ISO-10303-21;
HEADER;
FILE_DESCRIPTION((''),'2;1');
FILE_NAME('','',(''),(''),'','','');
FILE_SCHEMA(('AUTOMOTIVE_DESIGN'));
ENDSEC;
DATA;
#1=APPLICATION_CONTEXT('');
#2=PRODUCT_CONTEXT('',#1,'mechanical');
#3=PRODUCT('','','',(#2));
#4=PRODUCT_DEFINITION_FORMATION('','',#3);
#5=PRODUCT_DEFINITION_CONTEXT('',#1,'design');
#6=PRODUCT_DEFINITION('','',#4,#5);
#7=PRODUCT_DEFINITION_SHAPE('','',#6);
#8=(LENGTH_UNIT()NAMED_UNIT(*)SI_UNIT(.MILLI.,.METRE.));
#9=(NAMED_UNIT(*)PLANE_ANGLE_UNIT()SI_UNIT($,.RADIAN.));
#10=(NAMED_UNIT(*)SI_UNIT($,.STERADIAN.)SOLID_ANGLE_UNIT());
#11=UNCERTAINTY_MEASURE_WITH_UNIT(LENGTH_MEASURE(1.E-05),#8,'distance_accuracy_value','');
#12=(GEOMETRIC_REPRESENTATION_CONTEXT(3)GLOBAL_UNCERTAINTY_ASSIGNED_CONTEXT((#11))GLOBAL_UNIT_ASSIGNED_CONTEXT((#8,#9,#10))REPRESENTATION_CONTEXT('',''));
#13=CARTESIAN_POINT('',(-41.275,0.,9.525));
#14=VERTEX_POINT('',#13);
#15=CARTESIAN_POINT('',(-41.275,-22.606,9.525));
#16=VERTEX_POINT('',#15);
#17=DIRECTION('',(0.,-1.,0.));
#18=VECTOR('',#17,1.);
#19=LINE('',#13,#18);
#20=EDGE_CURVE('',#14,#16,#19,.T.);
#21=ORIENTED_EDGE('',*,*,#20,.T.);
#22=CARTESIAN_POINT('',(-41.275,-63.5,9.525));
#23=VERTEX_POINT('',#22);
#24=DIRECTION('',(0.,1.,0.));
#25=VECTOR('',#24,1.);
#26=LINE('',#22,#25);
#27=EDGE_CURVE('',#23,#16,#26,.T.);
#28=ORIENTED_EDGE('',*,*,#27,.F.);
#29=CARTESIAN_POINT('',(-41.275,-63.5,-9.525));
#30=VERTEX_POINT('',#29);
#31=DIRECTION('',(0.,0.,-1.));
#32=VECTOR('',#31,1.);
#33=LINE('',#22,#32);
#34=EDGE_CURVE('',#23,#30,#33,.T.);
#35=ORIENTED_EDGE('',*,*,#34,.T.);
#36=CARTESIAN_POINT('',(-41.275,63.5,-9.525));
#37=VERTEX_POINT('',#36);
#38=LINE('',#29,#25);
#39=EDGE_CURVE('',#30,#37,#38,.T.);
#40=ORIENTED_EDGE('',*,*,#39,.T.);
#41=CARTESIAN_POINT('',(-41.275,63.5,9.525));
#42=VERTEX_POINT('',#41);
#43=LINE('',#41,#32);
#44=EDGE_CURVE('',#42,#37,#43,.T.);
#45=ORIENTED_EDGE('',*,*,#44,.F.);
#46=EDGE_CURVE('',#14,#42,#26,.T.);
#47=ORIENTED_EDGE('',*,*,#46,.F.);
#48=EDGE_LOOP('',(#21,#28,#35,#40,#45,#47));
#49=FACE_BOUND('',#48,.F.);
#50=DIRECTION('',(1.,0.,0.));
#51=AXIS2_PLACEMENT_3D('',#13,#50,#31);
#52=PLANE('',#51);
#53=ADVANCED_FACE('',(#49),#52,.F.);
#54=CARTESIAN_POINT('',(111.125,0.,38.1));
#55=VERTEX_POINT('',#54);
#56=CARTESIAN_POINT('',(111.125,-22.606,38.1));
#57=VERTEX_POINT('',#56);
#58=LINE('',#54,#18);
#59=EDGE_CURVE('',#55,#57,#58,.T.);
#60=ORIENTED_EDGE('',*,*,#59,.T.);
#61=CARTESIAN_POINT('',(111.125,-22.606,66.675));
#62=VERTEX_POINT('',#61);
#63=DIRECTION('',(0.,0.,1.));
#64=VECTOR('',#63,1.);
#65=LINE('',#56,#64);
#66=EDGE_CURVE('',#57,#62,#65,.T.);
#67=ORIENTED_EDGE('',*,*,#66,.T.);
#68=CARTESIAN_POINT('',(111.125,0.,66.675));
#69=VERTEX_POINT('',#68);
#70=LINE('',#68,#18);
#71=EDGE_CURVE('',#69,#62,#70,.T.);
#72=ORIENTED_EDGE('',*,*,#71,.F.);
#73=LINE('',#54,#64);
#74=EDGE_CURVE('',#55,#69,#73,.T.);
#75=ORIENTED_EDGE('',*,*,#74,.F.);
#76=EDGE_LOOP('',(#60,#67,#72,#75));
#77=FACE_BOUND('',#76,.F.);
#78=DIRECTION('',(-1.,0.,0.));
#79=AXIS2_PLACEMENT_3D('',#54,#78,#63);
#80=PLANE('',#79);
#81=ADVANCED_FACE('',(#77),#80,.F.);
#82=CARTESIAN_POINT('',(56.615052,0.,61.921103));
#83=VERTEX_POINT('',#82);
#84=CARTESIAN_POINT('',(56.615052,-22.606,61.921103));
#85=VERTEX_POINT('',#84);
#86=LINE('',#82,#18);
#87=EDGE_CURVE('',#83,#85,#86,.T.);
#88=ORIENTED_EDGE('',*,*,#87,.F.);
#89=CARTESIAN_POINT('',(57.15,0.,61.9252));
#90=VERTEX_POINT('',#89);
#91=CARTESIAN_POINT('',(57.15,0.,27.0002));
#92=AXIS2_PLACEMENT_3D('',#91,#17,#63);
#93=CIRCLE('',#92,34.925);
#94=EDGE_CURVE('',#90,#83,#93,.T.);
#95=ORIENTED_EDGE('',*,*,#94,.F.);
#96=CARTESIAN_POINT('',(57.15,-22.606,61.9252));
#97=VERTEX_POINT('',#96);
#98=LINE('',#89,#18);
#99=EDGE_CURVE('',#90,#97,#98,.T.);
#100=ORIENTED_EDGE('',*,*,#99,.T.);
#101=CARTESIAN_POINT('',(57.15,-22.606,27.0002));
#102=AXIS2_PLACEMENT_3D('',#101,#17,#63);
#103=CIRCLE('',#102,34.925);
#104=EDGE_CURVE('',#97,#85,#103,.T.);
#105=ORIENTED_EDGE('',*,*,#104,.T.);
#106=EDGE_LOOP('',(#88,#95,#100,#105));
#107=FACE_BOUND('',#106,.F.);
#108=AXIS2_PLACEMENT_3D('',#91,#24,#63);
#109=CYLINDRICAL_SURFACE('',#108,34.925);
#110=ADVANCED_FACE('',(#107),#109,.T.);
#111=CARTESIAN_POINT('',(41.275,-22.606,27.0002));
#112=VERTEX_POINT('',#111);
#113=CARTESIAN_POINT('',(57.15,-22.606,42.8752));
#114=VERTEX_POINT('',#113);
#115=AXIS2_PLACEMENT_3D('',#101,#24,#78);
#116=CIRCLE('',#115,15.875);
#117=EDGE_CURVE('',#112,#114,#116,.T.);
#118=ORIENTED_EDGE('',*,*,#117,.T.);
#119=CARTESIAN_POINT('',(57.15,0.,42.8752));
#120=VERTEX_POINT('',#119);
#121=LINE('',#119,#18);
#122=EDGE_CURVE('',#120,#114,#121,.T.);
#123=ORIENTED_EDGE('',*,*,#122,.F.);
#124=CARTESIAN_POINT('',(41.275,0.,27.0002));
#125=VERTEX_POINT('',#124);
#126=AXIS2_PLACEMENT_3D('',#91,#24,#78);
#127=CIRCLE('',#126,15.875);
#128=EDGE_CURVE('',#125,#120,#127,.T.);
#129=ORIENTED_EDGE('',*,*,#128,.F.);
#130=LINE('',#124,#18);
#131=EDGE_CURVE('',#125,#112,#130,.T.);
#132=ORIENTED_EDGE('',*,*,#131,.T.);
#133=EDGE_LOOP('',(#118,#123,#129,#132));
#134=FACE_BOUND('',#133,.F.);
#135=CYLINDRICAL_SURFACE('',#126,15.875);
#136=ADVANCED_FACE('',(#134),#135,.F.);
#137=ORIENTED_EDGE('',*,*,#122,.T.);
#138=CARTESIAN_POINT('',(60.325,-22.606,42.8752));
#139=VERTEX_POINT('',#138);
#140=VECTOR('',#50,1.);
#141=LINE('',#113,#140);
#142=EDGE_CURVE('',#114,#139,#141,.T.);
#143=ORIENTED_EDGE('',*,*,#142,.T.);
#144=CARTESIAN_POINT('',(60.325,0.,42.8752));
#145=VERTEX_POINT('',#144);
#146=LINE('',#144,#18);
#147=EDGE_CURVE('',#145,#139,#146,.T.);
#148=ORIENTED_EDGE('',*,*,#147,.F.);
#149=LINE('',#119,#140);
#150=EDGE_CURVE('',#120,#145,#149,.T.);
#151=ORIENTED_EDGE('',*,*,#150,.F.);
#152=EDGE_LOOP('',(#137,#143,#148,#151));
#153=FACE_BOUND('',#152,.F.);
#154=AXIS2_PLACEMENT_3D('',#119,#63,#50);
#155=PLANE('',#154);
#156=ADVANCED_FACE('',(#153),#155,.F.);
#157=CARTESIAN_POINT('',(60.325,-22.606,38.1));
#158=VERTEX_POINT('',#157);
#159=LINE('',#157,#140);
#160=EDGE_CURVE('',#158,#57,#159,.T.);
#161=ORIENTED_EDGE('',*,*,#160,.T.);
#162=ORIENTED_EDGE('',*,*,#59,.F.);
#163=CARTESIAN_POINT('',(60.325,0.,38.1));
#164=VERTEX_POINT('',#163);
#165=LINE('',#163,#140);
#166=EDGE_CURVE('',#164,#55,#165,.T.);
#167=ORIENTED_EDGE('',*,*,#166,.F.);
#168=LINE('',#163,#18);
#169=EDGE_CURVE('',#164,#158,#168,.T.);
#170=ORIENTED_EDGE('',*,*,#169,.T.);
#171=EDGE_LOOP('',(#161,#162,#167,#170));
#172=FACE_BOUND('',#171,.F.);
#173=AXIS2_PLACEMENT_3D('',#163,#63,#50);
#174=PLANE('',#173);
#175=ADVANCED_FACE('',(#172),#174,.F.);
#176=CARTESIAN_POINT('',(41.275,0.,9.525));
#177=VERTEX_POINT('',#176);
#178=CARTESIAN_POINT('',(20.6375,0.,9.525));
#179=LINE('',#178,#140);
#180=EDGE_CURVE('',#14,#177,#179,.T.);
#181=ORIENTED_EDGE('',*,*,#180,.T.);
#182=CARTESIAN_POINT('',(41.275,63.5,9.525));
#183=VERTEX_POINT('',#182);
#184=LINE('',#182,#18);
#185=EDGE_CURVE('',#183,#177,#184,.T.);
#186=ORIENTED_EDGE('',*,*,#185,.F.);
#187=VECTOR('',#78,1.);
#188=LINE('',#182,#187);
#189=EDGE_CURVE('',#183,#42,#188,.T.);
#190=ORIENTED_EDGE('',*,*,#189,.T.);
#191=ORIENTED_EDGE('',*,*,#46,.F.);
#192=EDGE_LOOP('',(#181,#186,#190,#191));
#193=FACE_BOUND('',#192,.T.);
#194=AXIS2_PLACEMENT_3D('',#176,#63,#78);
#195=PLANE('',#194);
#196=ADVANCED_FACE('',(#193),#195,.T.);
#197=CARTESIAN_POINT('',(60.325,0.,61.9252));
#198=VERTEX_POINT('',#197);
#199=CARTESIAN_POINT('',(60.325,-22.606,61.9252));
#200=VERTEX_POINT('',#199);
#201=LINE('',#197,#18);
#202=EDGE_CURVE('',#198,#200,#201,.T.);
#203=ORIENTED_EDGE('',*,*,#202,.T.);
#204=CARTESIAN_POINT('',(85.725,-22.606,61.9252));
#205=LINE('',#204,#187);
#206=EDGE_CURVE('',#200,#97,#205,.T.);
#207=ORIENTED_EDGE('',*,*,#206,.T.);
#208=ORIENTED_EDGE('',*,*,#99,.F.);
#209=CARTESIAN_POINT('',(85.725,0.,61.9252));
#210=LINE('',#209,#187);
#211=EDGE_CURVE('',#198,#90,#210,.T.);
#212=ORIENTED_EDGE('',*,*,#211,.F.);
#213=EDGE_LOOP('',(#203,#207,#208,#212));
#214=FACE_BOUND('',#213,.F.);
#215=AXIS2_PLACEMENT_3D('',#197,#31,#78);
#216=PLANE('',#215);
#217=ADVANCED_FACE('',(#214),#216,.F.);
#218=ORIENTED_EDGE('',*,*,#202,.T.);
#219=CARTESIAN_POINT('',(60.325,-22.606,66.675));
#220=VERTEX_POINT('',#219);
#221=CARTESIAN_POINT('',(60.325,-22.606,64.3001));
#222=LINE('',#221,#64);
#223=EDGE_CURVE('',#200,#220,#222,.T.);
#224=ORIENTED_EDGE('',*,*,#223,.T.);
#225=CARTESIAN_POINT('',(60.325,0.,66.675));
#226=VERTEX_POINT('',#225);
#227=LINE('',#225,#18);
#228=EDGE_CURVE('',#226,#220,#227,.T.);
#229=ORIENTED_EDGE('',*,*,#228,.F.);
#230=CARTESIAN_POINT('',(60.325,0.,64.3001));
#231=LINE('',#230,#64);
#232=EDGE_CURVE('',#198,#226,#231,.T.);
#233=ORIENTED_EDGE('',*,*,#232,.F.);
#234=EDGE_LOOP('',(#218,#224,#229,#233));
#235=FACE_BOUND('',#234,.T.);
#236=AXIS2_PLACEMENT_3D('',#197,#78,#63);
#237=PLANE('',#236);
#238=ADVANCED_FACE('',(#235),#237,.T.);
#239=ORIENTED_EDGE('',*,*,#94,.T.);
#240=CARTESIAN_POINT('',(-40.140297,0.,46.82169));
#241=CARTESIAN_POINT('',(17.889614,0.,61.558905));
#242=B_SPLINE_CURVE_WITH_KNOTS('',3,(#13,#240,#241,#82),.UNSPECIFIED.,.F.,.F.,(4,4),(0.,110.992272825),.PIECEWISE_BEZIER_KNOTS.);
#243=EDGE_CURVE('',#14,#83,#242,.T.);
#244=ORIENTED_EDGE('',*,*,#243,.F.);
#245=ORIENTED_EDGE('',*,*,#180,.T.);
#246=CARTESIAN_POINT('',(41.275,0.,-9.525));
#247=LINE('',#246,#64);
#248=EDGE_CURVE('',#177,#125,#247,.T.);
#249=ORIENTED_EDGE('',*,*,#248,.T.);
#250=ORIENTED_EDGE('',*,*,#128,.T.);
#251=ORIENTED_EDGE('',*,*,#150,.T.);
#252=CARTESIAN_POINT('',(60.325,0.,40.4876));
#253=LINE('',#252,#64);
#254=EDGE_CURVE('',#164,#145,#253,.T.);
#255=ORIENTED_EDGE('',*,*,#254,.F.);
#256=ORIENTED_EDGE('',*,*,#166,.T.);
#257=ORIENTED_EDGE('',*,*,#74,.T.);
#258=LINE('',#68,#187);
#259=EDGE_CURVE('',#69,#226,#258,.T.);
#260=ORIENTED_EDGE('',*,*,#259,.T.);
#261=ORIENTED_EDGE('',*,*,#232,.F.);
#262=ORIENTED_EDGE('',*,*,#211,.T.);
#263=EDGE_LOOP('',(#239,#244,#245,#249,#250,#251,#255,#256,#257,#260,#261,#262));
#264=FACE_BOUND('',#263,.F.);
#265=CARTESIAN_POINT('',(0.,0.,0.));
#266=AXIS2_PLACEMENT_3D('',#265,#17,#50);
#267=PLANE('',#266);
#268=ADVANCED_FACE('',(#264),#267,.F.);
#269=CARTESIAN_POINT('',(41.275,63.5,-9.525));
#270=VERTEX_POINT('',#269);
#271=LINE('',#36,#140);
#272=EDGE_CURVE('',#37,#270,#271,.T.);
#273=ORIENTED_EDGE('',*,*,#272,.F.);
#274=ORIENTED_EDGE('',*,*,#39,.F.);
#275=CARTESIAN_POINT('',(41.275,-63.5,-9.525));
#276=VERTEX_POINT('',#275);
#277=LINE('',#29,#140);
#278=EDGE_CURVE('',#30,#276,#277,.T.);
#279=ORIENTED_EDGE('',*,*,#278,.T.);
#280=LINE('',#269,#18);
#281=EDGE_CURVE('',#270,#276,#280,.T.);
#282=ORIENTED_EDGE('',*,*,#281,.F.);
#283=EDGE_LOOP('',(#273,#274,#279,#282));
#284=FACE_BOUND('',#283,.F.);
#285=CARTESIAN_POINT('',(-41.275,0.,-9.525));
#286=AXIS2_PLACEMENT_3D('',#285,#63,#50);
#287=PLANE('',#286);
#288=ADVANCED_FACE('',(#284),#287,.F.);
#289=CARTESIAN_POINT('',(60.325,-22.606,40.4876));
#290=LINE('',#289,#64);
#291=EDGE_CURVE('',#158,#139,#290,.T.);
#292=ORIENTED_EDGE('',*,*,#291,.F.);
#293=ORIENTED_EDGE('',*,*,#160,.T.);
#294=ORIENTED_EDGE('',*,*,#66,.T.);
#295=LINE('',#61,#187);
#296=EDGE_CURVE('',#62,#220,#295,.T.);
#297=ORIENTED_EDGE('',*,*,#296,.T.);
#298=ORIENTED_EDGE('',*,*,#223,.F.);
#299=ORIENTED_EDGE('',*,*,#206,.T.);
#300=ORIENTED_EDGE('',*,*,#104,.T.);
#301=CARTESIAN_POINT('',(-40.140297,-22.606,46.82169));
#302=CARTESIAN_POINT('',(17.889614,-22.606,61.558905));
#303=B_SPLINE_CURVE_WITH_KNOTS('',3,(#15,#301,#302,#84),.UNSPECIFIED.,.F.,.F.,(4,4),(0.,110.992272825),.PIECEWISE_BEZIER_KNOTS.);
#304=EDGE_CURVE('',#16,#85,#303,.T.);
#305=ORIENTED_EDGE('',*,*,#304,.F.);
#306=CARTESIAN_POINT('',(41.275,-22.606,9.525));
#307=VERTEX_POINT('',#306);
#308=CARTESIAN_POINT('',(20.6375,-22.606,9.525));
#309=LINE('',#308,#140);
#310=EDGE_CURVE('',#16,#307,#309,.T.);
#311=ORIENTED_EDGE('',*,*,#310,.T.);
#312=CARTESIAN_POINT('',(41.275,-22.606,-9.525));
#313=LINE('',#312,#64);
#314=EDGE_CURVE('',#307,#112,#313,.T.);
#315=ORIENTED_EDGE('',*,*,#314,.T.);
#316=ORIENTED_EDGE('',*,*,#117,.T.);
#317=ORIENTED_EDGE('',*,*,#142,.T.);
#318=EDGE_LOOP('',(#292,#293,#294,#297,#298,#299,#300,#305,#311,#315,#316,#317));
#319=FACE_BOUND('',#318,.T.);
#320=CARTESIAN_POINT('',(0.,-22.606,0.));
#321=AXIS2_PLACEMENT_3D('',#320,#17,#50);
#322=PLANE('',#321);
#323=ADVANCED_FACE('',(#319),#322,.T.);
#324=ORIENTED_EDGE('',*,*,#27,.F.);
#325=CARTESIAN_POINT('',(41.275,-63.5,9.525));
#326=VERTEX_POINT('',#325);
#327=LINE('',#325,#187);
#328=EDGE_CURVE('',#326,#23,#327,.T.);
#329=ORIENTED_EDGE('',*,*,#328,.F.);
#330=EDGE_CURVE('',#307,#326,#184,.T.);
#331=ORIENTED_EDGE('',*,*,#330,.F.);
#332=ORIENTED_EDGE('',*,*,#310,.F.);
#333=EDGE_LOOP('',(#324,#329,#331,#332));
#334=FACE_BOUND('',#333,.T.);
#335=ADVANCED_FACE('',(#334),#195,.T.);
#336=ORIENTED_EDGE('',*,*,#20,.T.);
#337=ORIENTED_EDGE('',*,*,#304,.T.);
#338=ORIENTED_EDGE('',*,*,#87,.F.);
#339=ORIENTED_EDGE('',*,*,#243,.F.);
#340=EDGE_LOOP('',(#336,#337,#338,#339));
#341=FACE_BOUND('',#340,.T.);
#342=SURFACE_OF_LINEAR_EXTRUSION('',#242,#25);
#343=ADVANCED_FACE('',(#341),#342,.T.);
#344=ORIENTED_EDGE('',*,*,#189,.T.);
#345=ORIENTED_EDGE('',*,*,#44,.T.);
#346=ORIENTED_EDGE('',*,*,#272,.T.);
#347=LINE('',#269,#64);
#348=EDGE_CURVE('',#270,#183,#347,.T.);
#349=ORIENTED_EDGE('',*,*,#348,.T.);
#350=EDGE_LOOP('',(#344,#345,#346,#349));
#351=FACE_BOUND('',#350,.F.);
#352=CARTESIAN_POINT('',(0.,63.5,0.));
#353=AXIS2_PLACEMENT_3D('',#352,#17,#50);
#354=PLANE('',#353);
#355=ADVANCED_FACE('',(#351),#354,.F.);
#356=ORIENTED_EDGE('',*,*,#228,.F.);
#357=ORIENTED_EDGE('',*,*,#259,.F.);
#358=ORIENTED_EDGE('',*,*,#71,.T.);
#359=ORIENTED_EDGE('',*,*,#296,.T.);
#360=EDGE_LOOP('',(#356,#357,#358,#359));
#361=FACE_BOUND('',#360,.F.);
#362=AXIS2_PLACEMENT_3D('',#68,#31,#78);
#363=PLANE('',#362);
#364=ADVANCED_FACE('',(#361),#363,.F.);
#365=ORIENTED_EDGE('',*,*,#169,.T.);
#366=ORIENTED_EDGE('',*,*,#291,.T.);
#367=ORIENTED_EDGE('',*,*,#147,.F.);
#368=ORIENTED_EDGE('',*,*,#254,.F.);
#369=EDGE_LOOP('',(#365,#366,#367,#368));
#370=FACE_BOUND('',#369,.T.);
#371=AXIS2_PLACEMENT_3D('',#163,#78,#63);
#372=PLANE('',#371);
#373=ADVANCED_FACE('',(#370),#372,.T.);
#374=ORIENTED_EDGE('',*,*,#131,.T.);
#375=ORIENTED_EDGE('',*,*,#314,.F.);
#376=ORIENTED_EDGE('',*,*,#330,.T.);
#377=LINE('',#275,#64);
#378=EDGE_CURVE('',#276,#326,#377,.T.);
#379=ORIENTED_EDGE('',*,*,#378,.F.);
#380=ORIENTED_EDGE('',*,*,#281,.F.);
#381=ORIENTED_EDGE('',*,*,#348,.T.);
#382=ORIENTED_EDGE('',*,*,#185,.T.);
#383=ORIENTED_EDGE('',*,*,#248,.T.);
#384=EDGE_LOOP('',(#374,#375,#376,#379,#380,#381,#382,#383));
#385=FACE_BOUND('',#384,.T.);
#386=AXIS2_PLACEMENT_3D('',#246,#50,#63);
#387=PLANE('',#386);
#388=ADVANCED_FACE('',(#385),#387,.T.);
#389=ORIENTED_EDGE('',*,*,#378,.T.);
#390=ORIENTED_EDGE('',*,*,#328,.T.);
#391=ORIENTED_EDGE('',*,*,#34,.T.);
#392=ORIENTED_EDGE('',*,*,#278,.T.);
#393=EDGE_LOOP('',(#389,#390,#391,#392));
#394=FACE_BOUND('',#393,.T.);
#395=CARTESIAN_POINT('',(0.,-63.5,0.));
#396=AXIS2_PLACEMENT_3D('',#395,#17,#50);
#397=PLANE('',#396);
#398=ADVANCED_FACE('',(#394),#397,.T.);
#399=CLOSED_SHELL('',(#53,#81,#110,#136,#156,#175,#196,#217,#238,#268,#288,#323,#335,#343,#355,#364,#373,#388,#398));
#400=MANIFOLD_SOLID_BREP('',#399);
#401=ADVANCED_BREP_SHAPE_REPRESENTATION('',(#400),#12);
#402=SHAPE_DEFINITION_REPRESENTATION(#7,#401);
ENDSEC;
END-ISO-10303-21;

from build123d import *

# Parameters (mm, degrees)
F1_DEPTH = 63.5
F0_W     = 25.4
F0_H     = 4.7752
F0_H_2   = 19.05
F0_H_3   = 4.7498
F2_DEPTH = 22.606


with BuildPart() as f1:
    # F0 (on Front) → F1 (new body, symmetric)
    with BuildSketch(Plane.XZ):
        Polygon((-41.275, -9.525), (41.275, -9.525), (41.275, 9.525), (22.225, 9.525), (-41.275, 9.525), align=None)
    extrude(amount=F1_DEPTH, both=True)

    # F0 (on Front) → F2 (join)
    with BuildSketch(Plane.XZ):
        Polygon((-41.275, -9.525), (41.275, -9.525), (41.275, 9.525), (22.225, 9.525), (-41.275, 9.525), align=None)
        with BuildLine():
            Line((22.225, 9.525), (41.275, 9.525))
            Line((41.275, 9.525), (41.275, 27.0002))
            ThreePointArc((41.275, 27.0002), (45.9246798487, 38.2255201513), (57.15, 42.8752))
            Line((57.15, 42.8752), (60.325, 42.8752))
            Line((60.325, 42.8752), (60.325, 61.9252))
            Line((60.325, 61.9252), (57.15, 61.9252))
            add(Edge.make_bspline(
                [(56.6150518391, 61.9211028444), (56.7937815954, 61.9227744977), (56.9721001461, 61.924139948), (57.15, 61.9252)],
                knots=[110.9922728255, 110.9922728255, 110.9922728255, 110.9922728255, 111.5045361635, 111.5045361635, 111.5045361635, 111.5045361635], degree=3))
            ThreePointArc((56.6150518391, 61.9211028444), (32.2658816761, 51.5060417574), (22.225, 27.0002))
            Line((22.225, 27.0002), (22.225, 9.525))
        make_face()
        with BuildLine():
            add(Edge.make_bspline(
                [(-41.275, 9.525), (-40.1402965099, 46.8216899359), (17.8896143528, 61.5589051427), (56.6150518391, 61.9211028444)],
                knots=[0, 0, 0, 0, 110.9922728255, 110.9922728255, 110.9922728255, 110.9922728255], degree=3))
            Line((-41.275, 9.525), (22.225, 9.525))
            Line((22.225, 9.525), (22.225, 27.0002))
            ThreePointArc((22.225, 27.0002), (32.2658816761, 51.5060417574), (56.6150518391, 61.9211028444))
        make_face()
        with BuildLine():
            ThreePointArc((57.15, 61.9252), (56.8825180747, 61.9241756961), (56.6150518391, 61.9211028444))
            add(Edge.make_bspline(
                [(56.6150518391, 61.9211028444), (56.7937815954, 61.9227744977), (56.9721001461, 61.924139948), (57.15, 61.9252)],
                knots=[110.9922728255, 110.9922728255, 110.9922728255, 110.9922728255, 111.5045361635, 111.5045361635, 111.5045361635, 111.5045361635], degree=3))
        make_face()
        with Locations((73.025, 40.4876)):
            Rectangle(F0_W, F0_H)
        with Locations((73.025, 52.4002)):
            Rectangle(F0_W, F0_H_2)
        with Locations((73.025, 64.3001)):
            Rectangle(F0_W, F0_H_3)
        Polygon((85.725, 61.9252), (85.725, 42.8752), (85.725, 38.1), (111.125, 38.1), (111.125, 66.675), (85.725, 66.675), align=None)
    extrude(amount=F2_DEPTH)


solid = f1.part
